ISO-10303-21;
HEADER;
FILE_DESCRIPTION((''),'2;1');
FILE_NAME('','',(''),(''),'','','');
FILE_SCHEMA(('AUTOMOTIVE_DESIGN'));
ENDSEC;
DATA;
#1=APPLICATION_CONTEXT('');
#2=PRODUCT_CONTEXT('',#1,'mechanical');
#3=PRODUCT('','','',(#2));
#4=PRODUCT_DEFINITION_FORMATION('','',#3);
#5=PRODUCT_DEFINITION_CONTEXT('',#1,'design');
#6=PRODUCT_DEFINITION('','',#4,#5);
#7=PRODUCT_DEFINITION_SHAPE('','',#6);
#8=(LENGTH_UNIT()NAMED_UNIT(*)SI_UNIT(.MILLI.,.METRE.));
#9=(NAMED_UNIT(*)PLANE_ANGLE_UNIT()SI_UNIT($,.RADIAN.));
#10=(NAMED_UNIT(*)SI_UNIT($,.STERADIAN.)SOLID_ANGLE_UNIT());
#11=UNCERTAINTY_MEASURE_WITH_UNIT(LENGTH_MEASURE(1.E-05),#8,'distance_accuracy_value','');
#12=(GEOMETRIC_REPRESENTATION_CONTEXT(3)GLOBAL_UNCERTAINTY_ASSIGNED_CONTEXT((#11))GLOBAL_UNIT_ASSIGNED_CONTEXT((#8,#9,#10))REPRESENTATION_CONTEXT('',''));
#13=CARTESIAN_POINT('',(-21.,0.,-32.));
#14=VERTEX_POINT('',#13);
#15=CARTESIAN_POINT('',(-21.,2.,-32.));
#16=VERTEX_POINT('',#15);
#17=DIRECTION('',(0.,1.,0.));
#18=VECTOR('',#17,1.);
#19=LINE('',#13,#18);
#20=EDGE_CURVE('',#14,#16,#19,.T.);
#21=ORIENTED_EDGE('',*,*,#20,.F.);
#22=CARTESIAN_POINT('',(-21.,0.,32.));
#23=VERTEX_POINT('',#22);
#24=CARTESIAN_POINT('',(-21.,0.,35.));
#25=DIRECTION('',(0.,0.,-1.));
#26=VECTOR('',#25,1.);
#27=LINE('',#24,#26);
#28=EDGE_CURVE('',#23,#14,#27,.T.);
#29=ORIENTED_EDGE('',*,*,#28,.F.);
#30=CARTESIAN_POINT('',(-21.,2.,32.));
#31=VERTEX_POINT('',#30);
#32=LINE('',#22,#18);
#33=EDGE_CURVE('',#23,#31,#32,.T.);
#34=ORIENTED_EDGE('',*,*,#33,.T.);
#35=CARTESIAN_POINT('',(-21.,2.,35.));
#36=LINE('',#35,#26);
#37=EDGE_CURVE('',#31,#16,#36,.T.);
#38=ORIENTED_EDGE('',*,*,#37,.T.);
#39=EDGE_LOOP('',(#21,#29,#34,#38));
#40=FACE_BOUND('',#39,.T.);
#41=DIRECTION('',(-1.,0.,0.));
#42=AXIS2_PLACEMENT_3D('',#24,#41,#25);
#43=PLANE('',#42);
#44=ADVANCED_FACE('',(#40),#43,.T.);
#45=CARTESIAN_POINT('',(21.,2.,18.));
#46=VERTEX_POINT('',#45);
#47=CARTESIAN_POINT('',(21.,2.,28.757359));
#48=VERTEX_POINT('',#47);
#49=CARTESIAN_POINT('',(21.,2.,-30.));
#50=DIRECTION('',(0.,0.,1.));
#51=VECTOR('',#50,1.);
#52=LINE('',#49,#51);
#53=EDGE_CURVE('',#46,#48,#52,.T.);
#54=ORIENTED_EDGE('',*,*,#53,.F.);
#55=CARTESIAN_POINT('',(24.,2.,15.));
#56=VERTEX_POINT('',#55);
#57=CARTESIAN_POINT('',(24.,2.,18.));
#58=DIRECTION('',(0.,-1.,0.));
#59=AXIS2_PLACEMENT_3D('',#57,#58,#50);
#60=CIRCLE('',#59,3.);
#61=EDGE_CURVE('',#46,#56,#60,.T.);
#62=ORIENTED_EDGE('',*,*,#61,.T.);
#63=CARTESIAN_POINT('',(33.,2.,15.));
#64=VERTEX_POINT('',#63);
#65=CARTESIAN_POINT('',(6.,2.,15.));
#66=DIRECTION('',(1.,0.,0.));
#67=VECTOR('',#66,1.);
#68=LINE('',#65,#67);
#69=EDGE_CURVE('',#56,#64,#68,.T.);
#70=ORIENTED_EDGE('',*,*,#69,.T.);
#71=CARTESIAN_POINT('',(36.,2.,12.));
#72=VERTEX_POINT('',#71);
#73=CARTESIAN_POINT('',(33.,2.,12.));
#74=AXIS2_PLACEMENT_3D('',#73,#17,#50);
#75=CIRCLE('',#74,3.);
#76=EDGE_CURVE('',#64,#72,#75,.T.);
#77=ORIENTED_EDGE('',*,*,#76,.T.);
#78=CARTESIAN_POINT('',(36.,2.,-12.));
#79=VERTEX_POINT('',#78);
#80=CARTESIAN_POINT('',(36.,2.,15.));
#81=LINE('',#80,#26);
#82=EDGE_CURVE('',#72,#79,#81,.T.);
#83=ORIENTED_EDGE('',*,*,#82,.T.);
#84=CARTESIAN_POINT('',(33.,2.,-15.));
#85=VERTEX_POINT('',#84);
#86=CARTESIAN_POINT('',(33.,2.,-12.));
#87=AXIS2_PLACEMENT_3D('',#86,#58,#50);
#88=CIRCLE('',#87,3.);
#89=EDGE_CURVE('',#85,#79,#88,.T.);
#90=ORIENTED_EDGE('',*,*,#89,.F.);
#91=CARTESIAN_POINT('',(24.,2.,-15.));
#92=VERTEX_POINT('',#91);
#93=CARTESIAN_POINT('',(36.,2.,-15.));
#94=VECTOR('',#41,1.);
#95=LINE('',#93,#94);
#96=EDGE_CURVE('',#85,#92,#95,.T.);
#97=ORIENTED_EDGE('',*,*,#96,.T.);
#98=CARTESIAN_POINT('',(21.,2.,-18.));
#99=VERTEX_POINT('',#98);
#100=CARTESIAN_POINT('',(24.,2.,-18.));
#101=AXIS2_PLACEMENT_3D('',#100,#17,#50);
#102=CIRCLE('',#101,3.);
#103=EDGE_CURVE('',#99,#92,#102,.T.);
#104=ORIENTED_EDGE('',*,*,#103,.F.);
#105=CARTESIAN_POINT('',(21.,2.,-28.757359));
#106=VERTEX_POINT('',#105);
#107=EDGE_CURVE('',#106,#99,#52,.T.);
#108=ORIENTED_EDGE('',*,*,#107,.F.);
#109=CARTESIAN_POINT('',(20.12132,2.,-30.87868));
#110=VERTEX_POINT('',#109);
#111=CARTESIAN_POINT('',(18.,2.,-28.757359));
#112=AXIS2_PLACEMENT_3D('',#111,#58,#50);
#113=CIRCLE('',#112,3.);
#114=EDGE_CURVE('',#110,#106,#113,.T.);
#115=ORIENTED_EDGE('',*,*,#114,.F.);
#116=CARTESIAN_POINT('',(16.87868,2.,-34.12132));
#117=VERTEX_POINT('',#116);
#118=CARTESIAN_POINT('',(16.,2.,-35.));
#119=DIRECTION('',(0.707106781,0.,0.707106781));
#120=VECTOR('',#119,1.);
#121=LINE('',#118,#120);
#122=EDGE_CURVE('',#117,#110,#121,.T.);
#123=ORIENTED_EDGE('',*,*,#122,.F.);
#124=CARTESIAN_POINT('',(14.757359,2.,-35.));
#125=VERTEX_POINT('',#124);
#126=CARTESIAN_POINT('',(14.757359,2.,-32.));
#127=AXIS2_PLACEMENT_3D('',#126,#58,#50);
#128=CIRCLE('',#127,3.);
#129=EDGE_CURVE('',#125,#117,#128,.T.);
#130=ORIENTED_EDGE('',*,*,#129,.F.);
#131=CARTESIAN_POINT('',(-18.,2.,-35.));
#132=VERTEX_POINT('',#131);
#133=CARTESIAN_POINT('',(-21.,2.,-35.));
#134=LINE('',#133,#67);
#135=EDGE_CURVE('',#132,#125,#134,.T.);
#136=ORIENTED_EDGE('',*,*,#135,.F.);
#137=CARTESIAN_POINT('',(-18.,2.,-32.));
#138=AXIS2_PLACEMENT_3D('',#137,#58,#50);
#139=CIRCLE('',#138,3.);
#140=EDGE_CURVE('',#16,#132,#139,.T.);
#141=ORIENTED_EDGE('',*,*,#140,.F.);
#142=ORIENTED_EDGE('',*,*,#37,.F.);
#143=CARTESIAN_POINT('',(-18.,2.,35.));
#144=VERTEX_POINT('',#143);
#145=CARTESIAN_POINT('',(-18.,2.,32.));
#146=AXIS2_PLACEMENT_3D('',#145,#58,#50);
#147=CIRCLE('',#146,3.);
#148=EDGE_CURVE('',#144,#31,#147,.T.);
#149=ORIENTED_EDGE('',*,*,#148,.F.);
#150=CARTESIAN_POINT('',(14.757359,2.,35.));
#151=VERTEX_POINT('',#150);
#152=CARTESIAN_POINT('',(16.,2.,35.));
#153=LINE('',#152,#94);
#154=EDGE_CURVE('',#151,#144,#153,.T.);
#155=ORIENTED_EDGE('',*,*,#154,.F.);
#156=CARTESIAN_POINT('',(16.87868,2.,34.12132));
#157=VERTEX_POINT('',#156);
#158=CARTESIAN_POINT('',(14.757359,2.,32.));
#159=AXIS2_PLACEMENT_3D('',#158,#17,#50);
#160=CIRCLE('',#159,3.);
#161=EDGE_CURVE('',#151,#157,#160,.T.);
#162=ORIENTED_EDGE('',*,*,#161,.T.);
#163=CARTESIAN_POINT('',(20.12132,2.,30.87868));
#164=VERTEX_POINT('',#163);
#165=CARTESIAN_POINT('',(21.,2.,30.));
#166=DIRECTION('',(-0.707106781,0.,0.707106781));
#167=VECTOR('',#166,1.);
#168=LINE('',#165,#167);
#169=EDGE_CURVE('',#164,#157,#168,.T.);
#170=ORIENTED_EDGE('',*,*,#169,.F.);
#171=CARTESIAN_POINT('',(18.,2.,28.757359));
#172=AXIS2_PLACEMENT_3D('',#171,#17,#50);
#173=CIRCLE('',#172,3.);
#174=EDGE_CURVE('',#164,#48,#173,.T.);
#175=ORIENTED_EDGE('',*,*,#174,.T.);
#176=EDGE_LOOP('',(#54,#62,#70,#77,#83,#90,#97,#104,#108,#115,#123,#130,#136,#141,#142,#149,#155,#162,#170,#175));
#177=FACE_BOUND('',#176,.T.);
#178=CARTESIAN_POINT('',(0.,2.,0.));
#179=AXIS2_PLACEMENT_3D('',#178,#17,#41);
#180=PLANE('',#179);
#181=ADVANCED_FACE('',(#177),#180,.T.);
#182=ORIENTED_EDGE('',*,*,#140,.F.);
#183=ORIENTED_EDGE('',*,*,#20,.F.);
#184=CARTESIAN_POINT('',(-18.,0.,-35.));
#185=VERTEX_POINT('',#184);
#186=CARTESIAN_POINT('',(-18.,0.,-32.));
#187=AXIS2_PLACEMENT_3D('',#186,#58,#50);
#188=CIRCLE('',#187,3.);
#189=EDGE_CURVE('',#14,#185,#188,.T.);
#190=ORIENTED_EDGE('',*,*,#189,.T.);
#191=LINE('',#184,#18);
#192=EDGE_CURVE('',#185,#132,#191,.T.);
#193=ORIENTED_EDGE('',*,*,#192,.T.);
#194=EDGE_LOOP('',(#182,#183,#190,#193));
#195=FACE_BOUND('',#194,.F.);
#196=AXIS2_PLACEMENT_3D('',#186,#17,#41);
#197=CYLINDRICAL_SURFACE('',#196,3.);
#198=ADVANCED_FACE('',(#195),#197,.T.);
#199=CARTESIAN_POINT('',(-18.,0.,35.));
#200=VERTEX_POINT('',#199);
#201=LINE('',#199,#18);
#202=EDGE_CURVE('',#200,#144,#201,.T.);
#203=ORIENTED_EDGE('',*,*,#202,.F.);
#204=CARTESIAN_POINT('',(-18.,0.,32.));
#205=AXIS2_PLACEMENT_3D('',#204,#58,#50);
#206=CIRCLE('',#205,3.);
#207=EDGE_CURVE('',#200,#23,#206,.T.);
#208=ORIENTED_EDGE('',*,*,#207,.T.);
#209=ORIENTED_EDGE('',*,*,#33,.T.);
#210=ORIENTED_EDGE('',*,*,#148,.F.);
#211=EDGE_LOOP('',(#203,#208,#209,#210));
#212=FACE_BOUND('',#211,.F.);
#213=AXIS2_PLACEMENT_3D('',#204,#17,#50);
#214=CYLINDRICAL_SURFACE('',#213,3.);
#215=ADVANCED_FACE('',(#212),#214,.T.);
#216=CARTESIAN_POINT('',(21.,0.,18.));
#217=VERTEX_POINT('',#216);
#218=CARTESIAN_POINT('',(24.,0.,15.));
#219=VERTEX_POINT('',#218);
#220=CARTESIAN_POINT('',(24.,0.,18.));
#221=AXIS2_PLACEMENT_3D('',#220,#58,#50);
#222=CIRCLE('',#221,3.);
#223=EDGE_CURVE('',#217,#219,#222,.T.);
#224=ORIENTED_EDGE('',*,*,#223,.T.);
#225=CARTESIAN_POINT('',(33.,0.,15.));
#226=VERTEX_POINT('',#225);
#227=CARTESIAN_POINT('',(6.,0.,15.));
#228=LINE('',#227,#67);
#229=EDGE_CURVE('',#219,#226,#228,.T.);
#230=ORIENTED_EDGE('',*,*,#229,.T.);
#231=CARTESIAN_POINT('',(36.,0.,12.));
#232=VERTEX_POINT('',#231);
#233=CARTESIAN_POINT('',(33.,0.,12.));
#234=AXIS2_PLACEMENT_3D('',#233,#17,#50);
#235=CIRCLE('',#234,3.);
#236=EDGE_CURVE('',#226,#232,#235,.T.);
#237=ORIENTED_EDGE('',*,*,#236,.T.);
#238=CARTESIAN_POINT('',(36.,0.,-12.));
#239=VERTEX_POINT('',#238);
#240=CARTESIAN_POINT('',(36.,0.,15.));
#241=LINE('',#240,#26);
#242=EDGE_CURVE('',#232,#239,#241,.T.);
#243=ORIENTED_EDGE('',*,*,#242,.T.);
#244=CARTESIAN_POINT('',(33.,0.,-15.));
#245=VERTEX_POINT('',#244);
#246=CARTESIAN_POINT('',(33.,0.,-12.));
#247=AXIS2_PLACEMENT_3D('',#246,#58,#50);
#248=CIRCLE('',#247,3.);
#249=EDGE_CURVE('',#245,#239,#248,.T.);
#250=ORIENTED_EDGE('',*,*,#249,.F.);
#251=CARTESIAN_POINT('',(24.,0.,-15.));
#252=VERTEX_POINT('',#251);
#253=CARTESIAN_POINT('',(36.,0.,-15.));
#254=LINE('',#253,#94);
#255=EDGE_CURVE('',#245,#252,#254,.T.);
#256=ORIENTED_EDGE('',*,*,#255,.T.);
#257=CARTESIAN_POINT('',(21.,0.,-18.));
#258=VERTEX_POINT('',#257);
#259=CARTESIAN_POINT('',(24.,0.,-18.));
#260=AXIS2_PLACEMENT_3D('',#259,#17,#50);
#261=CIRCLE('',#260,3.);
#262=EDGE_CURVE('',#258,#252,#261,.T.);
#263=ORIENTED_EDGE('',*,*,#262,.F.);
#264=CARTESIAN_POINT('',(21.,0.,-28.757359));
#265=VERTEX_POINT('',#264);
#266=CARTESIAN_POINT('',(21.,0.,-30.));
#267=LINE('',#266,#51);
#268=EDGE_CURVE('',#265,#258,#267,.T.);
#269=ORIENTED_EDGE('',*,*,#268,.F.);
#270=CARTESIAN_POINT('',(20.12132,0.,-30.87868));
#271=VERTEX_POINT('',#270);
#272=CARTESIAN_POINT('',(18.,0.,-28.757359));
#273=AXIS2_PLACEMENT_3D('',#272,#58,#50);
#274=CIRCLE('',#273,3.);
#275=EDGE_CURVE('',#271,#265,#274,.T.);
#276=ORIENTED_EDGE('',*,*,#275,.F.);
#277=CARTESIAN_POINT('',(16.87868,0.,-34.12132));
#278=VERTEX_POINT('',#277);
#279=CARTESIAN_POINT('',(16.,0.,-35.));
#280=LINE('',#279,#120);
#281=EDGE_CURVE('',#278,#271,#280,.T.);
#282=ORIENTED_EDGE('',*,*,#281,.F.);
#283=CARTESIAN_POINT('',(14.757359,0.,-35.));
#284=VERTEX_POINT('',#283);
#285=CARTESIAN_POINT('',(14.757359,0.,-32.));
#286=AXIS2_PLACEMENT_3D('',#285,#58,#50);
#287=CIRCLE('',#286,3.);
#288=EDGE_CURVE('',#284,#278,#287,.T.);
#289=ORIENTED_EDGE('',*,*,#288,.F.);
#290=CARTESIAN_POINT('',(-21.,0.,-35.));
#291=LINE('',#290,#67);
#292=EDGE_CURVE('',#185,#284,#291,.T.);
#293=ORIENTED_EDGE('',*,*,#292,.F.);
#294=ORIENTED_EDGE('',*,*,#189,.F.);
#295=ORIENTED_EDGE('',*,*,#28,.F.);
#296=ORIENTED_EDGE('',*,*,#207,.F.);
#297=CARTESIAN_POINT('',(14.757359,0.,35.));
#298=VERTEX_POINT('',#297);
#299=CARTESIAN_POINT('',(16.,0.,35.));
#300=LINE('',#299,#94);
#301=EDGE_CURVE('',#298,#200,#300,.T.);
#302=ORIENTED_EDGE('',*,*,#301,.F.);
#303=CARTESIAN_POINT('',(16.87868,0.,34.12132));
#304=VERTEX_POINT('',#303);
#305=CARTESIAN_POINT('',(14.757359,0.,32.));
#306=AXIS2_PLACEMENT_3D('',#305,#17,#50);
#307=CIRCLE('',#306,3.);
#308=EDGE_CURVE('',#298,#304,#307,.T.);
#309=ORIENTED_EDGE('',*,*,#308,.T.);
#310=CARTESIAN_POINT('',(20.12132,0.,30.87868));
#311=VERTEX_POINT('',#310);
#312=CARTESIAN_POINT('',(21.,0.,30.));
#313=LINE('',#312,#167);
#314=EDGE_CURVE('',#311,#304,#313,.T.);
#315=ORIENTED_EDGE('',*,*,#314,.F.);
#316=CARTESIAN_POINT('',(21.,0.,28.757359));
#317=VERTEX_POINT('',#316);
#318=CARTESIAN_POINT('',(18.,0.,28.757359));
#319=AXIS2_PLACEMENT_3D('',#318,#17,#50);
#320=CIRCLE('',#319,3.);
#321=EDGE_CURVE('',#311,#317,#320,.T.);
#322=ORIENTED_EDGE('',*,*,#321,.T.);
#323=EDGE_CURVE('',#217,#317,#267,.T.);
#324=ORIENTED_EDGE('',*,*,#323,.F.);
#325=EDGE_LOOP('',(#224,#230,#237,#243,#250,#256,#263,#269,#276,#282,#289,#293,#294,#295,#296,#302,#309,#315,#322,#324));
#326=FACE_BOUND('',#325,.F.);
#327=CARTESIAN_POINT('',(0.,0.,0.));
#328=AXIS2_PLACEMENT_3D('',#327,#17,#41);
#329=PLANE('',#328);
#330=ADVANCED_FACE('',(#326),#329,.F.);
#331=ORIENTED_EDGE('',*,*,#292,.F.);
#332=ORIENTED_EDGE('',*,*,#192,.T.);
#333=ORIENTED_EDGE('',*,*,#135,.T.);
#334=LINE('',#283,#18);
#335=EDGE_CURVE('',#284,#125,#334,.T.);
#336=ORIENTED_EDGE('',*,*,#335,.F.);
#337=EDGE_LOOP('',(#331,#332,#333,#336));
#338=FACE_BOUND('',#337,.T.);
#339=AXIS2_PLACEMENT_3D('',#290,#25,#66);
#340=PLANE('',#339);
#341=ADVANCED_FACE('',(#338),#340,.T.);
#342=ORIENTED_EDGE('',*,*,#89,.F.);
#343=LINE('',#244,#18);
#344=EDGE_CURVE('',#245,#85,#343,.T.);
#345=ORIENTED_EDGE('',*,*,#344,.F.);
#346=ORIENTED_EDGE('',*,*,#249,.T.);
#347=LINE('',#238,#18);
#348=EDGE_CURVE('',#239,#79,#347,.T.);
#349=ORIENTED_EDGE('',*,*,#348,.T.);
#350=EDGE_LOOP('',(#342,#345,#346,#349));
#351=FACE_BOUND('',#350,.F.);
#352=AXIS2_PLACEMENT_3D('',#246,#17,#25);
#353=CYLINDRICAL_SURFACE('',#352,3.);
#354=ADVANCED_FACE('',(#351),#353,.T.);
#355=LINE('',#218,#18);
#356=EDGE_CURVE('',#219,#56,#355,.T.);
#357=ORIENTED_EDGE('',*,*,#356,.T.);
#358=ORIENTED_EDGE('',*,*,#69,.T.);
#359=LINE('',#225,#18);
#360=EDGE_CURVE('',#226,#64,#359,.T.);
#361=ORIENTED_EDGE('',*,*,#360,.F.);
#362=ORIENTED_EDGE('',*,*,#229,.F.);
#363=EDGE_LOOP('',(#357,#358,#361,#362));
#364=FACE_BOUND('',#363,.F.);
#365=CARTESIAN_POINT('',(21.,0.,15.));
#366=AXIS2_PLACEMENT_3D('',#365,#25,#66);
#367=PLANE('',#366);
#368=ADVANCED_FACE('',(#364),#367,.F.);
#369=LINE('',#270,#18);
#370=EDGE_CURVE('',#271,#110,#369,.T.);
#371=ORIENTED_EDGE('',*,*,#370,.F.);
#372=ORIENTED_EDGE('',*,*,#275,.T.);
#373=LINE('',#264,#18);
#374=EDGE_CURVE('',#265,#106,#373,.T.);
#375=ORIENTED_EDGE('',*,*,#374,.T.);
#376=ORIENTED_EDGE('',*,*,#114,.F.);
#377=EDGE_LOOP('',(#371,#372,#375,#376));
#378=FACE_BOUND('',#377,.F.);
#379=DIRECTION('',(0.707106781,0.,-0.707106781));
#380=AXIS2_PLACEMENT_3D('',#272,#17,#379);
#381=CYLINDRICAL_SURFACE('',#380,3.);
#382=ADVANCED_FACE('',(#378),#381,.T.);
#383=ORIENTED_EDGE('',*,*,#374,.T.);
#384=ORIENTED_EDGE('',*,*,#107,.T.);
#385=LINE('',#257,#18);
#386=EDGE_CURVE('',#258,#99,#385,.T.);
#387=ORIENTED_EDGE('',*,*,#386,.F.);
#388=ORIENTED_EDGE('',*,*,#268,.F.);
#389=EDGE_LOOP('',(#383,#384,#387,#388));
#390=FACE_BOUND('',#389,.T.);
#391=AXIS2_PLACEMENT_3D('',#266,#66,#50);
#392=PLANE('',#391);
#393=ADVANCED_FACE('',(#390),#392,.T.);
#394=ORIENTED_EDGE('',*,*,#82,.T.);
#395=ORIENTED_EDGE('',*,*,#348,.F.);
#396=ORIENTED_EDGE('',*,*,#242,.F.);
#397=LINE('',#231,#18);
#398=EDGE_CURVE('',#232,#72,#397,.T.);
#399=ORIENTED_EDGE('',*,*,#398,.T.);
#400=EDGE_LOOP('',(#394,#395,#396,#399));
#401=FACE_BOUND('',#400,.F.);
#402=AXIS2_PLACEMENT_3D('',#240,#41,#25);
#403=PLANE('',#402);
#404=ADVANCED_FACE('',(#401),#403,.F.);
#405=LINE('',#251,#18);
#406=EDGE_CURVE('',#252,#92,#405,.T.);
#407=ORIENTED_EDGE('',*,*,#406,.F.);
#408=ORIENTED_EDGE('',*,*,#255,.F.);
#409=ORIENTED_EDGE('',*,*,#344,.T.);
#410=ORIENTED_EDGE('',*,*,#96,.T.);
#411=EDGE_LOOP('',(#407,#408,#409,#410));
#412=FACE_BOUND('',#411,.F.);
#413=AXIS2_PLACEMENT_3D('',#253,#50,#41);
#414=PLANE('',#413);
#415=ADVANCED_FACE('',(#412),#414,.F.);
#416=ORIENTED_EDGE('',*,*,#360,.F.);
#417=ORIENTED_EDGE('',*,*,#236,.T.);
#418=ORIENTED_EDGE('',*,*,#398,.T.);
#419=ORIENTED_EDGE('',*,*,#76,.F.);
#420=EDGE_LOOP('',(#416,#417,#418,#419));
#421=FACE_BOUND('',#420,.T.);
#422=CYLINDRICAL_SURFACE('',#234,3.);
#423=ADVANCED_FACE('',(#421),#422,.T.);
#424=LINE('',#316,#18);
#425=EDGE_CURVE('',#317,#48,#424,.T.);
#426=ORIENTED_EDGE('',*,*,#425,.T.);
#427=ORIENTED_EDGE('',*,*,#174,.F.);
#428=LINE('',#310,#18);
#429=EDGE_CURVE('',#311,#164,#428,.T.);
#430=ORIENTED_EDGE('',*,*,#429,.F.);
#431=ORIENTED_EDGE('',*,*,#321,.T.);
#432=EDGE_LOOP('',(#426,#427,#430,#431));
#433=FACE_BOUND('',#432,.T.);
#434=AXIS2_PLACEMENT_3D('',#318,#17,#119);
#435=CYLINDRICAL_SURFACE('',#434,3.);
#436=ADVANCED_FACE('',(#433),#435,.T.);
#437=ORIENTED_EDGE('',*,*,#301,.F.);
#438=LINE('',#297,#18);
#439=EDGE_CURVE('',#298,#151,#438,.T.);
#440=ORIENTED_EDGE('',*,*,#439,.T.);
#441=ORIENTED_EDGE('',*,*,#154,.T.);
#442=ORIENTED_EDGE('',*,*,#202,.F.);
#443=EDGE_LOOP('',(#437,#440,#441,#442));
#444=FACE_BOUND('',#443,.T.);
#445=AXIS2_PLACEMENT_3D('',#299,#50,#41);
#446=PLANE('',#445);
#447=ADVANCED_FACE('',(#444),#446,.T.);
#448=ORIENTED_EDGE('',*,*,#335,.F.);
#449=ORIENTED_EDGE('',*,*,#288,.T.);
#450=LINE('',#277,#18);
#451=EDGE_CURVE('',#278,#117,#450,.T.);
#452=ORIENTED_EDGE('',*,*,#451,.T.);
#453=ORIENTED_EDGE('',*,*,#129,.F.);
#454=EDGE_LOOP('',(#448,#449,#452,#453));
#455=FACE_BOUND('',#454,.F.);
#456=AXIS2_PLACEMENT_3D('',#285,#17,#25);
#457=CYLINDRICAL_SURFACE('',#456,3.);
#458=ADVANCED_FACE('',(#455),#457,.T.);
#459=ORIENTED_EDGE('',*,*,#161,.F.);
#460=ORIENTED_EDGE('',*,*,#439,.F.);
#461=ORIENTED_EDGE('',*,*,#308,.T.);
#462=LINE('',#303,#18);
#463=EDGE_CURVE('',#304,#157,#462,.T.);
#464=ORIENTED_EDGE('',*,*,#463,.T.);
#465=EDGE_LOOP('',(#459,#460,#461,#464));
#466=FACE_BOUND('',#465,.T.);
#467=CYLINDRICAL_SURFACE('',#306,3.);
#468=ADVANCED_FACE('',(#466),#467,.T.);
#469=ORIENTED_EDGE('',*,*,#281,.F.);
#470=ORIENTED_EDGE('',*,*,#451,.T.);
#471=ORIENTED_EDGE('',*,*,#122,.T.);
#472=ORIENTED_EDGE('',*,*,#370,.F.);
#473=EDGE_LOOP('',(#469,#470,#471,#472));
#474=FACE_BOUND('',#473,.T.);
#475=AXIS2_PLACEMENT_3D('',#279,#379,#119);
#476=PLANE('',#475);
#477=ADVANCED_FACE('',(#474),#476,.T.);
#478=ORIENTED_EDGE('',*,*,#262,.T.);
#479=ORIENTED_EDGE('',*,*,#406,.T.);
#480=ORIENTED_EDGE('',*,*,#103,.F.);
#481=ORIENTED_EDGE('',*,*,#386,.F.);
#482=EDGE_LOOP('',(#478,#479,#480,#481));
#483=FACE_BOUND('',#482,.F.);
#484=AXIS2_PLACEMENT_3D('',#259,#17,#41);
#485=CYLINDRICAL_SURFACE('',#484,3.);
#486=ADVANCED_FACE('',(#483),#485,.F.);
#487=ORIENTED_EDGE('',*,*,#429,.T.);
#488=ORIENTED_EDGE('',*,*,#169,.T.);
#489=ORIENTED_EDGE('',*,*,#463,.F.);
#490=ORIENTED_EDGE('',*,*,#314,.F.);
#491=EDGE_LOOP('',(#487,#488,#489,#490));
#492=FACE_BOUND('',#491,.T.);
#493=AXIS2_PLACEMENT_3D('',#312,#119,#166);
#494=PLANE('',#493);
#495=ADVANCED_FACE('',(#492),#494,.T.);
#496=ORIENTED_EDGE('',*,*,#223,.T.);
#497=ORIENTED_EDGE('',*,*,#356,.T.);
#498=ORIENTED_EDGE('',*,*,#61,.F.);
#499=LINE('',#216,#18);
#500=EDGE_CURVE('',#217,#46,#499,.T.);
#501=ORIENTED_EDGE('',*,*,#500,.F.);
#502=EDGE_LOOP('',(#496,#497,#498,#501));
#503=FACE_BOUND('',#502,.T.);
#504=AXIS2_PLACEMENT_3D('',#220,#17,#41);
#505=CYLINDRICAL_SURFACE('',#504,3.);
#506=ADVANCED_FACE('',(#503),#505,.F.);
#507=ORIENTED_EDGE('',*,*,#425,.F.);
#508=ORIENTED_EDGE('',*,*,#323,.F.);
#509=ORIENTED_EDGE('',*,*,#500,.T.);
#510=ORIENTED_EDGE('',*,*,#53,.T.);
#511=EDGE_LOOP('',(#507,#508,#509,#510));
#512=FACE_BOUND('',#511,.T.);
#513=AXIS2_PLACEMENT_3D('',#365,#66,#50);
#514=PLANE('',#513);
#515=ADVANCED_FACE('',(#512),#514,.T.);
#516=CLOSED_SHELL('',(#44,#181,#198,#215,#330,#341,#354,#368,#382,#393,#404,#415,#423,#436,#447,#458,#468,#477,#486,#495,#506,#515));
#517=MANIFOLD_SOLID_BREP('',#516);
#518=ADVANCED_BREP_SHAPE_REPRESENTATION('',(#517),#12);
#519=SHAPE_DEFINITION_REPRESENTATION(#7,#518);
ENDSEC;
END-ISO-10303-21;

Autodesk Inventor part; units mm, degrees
ref_plane "YZ Plane" through (0, 0, 0) normal (1, 0, 0) x (0, 1, 0)
ref_plane "XZ Plane" through (0, 0, 0) normal (0, 1, 0) x (-1, 0, 0)
ref_plane "XY Plane" through (0, 0, 0) normal (0, 0, 1) x (1, 0, 0)
sketch "Sketch1" plane through (0, 0, 0) normal (0, 1, 0) x (-1, 0, 0)
  line L0 (-16, 35) -> (21, 35)
  line L1 (21, 35) -> (21, -35)
  line L2 (21, -35) -> (-16, -35)
  line L3 (-21, -30) -> (-21, 30)
  line L4 (-21, 35) -> (21, -35) construction
  line L5 (21, 35) -> (-21, -35) construction
  line L6 (-36, -15) -> (-6, -15)
  line L7 (-6, -15) -> (-6, 15)
  line L8 (-6, 15) -> (-36, 15)
  line L9 (-36, 15) -> (-36, -15)
  line L10 (-36, -15) -> (-6, 15) construction
  line L11 (-6, -15) -> (-36, 15) construction
  line L12 (-16, -35) -> (-21, -30)
  line L13 (-21, 30) -> (-16, 35)
  point P0 (0, 0)
  point P1 (-21, 0)
  point P2 (-21, -15)
  point P3 (-21, 15)
  dimension "d0" = 42
  dimension "d1" = 70
  dimension "d10" = 30
  dimension "d11" = 30
  dimension "d12" = 5
  dimension "d13" = 5
  dimension "d14" = 5
  dimension "d15" = 5
extrude "Extrusion1" add sketch "Sketch1" along normal blind 2
fillet "Fillet1" radius 3 10 edges at (36, 1, -15) (36, 1, 15) (21, 1, -30) (16, 1, -35) (21, 1, 30) (16, 1, 35) (-21, 1, 35) (-21, 1, -35) (21, 1, -15) (21, 1, 15)
equation "\"d13\" = d12"
equation "\"d14\" = d12"
equation "\"d15\" = d14"
properties part number "Second Layer Board"
